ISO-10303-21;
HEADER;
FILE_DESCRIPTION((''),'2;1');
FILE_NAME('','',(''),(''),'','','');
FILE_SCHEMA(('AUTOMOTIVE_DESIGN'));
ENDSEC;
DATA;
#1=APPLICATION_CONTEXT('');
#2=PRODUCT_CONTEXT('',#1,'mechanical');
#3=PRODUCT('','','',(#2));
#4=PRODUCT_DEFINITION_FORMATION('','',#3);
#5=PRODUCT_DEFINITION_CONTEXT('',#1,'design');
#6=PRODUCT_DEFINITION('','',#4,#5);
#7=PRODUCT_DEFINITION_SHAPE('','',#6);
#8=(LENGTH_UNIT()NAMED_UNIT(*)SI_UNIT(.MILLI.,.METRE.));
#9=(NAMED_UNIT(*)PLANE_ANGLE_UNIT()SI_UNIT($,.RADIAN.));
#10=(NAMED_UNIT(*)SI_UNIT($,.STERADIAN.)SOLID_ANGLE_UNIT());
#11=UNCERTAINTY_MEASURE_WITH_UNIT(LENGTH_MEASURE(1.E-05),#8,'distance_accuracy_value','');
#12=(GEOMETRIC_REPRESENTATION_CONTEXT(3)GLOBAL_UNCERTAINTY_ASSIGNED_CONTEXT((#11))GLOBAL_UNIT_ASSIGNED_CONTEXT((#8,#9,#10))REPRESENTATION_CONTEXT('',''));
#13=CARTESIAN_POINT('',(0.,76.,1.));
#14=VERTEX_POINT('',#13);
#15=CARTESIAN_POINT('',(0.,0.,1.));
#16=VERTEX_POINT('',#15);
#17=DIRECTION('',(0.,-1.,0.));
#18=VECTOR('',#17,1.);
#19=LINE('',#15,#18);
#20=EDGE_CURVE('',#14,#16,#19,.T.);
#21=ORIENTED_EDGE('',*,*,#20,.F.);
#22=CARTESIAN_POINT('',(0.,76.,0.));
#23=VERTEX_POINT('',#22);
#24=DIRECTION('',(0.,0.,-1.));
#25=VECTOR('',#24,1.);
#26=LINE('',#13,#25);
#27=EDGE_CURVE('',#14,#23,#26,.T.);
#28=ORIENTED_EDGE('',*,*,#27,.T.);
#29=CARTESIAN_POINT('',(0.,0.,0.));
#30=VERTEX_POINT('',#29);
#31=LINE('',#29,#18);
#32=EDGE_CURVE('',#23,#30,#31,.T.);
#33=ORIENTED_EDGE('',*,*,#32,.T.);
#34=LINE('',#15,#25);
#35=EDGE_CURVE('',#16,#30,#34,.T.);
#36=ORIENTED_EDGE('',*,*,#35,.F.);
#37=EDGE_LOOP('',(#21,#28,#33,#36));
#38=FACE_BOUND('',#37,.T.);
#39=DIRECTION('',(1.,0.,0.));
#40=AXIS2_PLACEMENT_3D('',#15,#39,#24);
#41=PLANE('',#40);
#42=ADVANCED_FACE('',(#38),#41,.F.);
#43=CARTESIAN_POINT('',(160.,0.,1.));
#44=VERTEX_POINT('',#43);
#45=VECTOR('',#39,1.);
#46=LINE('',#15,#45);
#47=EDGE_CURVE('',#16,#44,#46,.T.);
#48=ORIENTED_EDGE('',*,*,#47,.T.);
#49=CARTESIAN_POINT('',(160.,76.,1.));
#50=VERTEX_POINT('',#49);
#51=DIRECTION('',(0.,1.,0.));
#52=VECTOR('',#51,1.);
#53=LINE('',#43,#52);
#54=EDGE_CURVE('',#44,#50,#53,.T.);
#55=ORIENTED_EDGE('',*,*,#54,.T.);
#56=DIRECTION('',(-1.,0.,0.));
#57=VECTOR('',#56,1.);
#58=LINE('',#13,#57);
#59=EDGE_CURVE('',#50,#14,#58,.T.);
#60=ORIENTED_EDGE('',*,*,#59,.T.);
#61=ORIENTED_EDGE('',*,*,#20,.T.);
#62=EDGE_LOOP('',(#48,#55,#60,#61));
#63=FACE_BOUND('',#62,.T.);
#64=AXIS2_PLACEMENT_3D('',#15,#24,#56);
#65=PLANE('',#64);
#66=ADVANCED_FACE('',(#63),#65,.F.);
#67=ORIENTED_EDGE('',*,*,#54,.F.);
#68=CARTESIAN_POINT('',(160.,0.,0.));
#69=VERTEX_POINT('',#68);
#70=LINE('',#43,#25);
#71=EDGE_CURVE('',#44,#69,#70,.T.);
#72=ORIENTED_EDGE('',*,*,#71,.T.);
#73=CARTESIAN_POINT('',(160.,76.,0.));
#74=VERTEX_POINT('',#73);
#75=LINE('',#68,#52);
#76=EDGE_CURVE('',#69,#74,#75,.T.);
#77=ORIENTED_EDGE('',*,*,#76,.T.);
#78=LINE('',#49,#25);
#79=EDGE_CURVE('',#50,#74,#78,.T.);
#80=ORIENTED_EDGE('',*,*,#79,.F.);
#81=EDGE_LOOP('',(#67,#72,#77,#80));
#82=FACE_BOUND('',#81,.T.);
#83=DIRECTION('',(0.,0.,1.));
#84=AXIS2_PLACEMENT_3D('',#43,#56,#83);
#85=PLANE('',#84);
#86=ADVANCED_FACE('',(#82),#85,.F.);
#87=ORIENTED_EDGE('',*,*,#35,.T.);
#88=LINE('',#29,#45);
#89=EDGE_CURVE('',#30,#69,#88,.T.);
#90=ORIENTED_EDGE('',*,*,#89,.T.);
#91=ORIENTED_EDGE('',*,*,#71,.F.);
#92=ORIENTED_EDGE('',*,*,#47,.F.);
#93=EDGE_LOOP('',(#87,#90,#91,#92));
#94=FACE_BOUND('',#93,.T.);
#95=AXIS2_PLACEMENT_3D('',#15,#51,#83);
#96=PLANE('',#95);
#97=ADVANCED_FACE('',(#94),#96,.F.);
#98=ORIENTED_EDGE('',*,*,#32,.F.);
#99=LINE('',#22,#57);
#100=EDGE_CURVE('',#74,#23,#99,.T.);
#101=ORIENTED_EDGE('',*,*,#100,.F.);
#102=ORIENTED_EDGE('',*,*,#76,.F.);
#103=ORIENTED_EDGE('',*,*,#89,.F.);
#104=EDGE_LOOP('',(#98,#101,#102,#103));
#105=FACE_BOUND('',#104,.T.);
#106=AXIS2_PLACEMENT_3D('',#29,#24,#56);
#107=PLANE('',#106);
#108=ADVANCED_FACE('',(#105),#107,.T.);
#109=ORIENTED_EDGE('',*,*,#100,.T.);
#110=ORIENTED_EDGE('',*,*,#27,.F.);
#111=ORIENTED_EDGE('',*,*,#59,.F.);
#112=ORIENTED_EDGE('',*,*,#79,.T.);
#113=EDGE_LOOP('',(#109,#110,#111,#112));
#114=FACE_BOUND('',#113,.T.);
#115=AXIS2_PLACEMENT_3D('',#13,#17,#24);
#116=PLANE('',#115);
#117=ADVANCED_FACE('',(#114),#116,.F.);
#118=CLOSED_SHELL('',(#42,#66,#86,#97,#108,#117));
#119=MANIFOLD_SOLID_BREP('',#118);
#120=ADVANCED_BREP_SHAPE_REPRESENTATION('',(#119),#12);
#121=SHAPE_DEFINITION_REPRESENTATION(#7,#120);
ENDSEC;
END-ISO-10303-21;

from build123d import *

# Parameters (mm, degrees)
SKETCH_1_W      = 160
SKETCH_1_H      = 76
EXTRUDE_1_DEPTH = 1


with BuildPart() as part:
    # 草图1 → 凸台-拉伸1 (new body)
    with BuildSketch(Plane.XY):
        with Locations((80, 38)):
            Rectangle(SKETCH_1_W, SKETCH_1_H)
    extrude(amount=EXTRUDE_1_DEPTH)


solid = part.part
